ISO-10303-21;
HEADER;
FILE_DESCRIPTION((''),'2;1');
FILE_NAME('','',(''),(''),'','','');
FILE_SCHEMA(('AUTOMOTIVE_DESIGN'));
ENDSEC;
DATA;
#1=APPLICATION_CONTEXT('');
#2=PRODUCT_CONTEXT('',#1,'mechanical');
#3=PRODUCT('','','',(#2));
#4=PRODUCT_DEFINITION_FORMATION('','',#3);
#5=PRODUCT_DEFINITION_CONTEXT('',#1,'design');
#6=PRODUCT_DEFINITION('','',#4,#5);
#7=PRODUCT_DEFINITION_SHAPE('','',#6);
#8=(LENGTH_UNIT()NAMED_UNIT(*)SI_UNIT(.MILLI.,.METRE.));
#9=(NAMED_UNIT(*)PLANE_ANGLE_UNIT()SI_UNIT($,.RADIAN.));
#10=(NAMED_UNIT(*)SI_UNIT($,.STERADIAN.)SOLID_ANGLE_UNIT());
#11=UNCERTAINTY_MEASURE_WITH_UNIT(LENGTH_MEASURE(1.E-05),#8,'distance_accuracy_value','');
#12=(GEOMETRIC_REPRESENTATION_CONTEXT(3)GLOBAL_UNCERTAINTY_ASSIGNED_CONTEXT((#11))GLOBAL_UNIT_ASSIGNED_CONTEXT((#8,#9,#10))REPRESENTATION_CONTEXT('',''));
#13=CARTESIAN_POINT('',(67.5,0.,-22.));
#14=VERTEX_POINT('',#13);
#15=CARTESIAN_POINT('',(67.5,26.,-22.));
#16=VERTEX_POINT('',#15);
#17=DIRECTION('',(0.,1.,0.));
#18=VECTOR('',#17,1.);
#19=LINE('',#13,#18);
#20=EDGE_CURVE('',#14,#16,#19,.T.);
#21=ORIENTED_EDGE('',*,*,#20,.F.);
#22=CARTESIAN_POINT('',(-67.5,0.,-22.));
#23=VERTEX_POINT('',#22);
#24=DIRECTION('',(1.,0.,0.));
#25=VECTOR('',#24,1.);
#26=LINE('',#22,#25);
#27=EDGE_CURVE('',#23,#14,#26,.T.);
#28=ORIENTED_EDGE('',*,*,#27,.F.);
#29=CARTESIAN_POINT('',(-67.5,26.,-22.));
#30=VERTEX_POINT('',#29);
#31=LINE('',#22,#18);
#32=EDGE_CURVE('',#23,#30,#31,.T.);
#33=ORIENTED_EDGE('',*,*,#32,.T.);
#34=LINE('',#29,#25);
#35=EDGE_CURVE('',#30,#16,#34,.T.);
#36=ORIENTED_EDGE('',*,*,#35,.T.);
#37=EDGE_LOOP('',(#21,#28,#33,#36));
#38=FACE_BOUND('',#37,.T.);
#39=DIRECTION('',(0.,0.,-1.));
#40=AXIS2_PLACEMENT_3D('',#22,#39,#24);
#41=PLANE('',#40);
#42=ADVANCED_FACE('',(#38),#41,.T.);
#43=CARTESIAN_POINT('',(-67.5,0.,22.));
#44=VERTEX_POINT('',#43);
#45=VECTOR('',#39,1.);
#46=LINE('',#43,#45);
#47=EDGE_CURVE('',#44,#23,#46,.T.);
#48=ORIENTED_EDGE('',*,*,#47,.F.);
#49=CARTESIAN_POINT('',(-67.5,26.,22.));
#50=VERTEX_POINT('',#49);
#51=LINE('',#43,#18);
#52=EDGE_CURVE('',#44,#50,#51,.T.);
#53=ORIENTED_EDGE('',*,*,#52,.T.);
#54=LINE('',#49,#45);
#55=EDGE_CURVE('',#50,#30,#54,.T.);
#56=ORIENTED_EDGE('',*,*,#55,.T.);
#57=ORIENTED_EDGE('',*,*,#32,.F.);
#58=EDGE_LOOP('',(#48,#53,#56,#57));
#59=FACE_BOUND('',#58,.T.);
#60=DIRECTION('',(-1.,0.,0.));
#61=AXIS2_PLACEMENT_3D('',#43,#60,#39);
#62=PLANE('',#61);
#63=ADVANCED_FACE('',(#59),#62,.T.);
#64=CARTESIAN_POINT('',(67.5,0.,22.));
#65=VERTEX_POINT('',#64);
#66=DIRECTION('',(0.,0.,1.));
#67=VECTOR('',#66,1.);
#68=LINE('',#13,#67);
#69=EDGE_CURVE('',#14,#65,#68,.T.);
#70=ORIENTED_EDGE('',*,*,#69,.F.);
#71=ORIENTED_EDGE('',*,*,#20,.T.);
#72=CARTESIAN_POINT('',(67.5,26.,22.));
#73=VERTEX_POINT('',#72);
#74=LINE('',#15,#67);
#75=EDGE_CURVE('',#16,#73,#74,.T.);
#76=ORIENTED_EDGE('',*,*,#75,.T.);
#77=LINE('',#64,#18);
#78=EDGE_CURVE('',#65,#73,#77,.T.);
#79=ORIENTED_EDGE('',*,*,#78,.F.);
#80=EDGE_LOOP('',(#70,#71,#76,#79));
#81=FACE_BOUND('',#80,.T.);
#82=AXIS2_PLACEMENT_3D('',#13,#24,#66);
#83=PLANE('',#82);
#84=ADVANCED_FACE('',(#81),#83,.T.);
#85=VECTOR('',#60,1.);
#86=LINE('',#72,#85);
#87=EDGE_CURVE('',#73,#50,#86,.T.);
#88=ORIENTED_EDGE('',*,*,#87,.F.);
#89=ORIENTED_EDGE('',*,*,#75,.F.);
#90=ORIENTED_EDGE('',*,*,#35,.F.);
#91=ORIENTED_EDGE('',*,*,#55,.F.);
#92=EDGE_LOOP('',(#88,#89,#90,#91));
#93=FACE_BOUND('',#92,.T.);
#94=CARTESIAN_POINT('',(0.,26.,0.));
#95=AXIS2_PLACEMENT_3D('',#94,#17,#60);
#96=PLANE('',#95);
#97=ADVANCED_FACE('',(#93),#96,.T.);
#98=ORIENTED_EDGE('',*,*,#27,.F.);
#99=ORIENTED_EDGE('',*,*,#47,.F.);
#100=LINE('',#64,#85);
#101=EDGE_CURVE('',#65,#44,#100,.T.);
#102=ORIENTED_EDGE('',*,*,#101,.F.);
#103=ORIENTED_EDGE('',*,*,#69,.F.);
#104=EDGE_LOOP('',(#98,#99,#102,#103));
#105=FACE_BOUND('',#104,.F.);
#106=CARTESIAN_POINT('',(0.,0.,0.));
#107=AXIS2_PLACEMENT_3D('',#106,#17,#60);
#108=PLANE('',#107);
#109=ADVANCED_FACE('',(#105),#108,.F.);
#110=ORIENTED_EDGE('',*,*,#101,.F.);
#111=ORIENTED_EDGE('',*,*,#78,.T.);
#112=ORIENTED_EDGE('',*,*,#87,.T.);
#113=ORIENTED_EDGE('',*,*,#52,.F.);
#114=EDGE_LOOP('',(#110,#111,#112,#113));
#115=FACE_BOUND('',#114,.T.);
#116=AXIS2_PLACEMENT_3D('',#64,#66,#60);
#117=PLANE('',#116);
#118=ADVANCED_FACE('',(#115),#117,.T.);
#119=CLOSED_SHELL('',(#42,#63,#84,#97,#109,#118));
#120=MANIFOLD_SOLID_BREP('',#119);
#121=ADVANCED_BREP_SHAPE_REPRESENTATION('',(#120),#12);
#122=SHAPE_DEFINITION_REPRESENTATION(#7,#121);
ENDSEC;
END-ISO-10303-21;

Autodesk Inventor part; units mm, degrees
ref_plane "YZ Plane" through (0, 0, 0) normal (1, 0, 0) x (0, 1, 0)
ref_plane "XZ Plane" through (0, 0, 0) normal (0, 1, 0) x (-1, 0, 0)
ref_plane "XY Plane" through (0, 0, 0) normal (0, 0, 1) x (1, 0, 0)
sketch "Sketch1" plane through (0, 0, 0) normal (0, 1, 0) x (-1, 0, 0)
  line L0 (67.5, -22) -> (-67.5, -22)
  line L1 (-67.5, -22) -> (-67.5, 22)
  line L2 (-67.5, 22) -> (67.5, 22)
  line L3 (67.5, 22) -> (67.5, -22)
  line L4 (67.5, -22) -> (-67.5, 22) construction
  line L5 (-67.5, -22) -> (67.5, 22) construction
  point P0 (0, 0)
  dimension "d0" = 135
  dimension "d1" = 44
extrude "Extrusion1" add sketch "Sketch1" along normal blind 26
properties part number "Battery"
